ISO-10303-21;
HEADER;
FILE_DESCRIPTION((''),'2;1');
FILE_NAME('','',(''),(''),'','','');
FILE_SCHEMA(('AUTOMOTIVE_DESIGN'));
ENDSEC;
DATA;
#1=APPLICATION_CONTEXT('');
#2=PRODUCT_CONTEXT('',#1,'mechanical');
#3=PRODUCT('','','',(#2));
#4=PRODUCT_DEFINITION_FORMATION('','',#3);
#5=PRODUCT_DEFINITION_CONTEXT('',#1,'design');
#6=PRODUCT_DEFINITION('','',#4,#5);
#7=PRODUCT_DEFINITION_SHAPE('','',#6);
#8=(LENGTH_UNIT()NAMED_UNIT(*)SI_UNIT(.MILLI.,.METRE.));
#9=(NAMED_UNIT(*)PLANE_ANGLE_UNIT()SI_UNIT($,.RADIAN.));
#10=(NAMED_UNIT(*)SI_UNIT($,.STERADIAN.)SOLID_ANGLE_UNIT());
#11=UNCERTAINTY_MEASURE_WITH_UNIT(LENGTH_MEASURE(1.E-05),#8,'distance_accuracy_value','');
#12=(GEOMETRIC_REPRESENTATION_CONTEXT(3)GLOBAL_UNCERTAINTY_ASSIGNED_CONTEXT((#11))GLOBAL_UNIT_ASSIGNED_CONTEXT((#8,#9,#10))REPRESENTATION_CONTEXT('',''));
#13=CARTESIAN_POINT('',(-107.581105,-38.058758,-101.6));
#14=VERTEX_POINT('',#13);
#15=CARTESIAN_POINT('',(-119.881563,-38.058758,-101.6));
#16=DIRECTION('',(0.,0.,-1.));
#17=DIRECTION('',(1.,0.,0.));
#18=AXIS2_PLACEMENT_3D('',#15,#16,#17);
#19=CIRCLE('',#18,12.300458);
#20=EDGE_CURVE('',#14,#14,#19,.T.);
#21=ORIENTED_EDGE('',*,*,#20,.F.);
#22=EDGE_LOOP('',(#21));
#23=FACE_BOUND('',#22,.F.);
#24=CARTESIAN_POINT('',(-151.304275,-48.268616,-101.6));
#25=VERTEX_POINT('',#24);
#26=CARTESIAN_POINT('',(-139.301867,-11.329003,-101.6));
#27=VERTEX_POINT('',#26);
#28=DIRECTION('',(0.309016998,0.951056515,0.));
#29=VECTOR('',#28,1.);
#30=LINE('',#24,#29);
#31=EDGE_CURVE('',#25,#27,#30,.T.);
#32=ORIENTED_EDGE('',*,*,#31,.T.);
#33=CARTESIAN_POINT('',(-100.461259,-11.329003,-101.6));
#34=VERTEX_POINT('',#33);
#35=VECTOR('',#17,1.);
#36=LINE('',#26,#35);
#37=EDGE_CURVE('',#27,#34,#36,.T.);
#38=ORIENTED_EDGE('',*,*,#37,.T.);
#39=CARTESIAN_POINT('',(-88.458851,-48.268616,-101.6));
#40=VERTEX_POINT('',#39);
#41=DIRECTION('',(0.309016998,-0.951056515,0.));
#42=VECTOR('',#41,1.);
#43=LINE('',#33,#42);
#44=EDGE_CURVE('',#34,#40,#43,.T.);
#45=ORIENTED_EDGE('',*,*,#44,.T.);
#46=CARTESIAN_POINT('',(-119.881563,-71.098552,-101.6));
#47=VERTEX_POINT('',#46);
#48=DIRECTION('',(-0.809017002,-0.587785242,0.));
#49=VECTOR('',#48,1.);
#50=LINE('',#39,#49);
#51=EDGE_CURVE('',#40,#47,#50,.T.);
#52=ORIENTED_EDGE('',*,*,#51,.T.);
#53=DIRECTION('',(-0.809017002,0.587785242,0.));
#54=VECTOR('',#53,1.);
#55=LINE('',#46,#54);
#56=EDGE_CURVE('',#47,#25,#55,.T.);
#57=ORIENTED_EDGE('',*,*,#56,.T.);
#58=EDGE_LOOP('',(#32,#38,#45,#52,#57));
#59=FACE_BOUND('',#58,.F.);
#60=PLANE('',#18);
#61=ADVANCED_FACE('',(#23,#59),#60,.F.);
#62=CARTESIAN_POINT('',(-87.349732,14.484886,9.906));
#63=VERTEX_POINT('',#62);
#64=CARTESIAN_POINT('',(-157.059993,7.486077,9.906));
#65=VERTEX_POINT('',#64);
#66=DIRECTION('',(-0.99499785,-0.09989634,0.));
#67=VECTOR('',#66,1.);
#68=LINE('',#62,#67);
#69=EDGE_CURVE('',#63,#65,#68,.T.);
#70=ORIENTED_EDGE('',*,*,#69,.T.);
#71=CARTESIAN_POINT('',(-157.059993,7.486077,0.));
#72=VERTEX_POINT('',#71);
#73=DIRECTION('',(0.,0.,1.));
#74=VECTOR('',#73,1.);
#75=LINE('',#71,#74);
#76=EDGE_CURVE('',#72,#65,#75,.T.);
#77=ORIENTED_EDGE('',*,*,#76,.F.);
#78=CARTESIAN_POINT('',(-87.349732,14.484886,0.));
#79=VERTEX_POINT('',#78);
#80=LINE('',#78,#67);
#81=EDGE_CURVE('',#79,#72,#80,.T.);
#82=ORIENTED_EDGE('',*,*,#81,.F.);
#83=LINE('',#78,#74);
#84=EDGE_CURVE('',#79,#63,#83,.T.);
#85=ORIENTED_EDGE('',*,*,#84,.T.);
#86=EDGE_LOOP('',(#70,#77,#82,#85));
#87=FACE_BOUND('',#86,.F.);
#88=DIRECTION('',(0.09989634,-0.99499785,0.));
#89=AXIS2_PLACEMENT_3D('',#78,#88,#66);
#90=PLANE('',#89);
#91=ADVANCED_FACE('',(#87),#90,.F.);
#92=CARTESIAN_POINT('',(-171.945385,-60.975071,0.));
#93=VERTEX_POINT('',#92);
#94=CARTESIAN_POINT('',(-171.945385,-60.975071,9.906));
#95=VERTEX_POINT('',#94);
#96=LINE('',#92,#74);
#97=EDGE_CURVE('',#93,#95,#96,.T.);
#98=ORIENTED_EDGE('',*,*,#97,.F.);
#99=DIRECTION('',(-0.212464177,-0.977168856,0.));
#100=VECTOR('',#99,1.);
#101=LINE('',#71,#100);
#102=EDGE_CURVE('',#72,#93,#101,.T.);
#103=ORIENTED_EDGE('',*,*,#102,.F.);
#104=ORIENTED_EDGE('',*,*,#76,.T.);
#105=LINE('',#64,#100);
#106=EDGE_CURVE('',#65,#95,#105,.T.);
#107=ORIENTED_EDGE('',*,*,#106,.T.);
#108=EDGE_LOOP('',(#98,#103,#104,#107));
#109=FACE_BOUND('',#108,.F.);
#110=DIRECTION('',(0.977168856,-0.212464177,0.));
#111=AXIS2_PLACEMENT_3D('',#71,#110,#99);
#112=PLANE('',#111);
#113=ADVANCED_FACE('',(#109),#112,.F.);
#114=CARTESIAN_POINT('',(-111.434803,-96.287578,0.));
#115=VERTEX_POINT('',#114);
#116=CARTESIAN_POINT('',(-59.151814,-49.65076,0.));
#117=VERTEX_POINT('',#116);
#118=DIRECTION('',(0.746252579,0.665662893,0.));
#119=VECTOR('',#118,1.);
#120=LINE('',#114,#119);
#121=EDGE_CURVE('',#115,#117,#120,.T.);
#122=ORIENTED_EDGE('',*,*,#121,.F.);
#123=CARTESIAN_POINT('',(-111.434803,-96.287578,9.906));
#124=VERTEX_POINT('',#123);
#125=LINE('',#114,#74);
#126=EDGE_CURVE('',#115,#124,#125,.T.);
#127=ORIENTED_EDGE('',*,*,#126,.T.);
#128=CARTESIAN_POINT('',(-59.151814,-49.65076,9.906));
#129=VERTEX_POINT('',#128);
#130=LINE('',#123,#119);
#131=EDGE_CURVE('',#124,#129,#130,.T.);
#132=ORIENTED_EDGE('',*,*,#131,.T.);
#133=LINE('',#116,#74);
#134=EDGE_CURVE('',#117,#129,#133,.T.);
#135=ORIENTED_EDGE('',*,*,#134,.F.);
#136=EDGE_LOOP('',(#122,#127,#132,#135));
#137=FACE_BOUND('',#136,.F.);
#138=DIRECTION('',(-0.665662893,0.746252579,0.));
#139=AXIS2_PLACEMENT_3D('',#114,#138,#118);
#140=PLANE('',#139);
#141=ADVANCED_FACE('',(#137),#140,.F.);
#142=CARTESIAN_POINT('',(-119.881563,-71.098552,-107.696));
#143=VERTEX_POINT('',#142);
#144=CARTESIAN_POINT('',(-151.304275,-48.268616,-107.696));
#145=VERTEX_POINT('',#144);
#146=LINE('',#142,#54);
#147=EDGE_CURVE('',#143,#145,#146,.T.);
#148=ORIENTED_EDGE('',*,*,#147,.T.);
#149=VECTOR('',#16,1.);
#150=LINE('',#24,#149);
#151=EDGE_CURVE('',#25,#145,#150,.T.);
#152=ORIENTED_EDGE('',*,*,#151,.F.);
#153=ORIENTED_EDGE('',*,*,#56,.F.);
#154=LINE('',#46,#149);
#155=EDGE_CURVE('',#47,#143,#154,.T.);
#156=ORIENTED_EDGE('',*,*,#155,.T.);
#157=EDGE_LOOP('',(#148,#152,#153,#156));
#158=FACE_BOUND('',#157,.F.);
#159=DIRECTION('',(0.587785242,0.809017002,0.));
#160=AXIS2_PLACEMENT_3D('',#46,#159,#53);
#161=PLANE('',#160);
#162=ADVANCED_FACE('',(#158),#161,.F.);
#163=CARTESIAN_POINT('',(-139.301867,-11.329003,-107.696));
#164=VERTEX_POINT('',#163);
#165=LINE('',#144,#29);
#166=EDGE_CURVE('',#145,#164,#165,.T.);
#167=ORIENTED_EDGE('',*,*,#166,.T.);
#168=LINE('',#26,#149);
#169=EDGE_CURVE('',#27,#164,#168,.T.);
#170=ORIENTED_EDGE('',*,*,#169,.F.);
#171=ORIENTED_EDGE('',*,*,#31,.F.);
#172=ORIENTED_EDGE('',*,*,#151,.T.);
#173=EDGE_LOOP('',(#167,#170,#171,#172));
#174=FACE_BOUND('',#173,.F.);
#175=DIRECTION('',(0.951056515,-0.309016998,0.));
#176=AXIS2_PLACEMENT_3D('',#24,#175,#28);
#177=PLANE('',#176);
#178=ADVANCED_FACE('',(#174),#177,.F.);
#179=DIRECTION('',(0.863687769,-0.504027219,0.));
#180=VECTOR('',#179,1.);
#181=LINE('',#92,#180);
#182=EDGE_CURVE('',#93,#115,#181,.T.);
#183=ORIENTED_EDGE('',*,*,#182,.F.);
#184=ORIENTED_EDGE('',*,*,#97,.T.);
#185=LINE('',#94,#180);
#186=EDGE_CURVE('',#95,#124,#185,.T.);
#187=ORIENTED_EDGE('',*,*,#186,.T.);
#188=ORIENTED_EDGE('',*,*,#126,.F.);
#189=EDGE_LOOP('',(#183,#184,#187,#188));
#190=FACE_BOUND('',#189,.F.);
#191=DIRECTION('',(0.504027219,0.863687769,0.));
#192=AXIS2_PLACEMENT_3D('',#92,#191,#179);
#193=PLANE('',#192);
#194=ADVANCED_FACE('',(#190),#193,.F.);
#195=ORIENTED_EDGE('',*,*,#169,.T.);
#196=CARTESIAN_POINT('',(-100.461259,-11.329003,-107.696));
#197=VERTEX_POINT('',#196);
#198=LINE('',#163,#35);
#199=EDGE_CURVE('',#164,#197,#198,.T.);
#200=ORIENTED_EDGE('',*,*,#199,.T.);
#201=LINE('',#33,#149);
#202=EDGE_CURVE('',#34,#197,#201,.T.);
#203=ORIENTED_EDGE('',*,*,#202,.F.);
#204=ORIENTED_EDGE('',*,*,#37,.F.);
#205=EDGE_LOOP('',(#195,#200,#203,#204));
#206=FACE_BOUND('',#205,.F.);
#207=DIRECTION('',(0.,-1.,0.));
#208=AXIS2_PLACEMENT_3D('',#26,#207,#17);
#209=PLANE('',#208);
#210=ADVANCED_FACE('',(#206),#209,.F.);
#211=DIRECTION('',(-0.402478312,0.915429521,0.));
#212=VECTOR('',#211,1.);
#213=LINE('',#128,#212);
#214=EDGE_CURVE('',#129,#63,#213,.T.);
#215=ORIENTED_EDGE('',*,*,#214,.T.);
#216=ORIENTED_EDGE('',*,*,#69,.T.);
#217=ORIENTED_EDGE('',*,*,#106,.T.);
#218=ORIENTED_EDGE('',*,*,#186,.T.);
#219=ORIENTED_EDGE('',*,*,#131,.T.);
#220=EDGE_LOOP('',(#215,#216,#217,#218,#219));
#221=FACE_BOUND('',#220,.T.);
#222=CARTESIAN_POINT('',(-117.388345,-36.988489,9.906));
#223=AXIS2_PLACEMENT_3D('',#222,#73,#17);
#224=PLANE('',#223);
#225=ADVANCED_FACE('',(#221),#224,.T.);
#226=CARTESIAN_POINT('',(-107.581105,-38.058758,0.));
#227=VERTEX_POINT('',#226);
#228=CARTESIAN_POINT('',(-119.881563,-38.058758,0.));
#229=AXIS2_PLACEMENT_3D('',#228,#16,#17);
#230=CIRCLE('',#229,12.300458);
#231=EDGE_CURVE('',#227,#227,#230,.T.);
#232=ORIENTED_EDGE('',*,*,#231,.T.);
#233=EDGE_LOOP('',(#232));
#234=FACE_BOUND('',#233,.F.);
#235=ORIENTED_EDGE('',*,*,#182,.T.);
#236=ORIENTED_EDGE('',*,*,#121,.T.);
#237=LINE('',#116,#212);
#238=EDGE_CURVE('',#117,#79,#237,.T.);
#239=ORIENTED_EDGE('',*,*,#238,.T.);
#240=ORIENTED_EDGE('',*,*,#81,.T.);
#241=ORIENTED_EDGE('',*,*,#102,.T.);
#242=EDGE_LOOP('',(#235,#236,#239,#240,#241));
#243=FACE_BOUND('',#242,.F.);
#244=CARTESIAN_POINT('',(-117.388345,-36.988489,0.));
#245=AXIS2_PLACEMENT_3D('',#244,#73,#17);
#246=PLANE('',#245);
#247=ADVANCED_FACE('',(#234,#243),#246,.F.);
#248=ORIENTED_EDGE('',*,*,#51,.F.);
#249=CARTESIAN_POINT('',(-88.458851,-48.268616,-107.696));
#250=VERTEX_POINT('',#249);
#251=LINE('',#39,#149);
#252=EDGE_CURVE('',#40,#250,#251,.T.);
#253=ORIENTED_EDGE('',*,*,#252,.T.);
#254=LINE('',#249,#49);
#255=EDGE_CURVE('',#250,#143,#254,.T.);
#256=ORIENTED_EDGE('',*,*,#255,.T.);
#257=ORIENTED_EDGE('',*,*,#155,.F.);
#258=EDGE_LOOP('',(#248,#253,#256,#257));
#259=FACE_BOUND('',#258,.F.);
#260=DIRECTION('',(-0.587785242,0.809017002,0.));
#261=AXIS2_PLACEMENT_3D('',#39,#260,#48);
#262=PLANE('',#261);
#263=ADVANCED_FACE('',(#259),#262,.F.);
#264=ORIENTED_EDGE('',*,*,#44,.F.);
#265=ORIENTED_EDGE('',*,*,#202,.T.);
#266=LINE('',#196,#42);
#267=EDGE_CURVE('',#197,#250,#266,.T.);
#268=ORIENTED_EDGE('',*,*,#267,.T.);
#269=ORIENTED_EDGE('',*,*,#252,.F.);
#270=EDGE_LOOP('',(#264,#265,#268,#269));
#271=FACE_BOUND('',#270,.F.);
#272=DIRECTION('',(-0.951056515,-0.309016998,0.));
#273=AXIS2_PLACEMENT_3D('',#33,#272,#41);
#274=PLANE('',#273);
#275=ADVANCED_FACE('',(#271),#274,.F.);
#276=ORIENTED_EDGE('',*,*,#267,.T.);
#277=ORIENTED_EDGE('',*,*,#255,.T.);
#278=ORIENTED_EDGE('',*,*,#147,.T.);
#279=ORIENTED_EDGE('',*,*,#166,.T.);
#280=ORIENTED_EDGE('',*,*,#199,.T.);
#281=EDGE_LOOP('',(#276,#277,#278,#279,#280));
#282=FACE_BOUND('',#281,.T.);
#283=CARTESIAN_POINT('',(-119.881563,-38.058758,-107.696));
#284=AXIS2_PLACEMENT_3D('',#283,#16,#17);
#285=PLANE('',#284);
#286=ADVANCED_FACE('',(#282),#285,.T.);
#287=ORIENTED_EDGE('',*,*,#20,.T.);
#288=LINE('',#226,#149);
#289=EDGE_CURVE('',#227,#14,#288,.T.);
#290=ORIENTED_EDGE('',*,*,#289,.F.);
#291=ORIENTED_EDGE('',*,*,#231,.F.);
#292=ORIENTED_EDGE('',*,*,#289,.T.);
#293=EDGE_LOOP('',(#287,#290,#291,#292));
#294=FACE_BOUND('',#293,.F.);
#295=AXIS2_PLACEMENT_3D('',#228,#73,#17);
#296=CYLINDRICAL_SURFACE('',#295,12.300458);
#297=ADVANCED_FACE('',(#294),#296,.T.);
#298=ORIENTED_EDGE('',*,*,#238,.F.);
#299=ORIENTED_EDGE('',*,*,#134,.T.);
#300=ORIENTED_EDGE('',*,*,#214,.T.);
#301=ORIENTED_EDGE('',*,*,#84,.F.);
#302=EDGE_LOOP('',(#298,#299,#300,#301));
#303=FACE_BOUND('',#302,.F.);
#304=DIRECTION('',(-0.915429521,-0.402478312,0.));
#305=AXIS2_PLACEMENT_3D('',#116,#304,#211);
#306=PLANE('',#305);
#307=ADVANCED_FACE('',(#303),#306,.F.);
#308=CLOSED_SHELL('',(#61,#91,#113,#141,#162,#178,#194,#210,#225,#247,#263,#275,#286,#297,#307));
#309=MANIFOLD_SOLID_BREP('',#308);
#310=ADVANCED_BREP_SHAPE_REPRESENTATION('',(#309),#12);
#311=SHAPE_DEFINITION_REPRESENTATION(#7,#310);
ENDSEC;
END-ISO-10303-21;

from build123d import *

# Parameters (mm, degrees)
F1_DEPTH = 9.906
F2_R     = 12.300458
F3_DEPTH = 101.6
F5_DEPTH = 6.096


with BuildPart() as f1:
    # F0 (on Top) → F1 (new body)
    with BuildSketch(Plane.XY):
        Polygon((-87.349732, 14.484886), (-157.059993, 7.486077), (-171.945385, -60.975071), (-111.434803, -96.287578), (-59.151814, -49.65076), align=None)
    extrude(amount=F1_DEPTH)

    # F2 (on face) → F3 (join)
    with BuildSketch(Plane(origin=(0, 0, 0), x_dir=(1, 0, 0), z_dir=(0, 0, -1))):
        with Locations((-119.881563, 38.058758)):
            Circle(F2_R)
    extrude(amount=F3_DEPTH)

    # F4 (on face) → F5 (join)
    with BuildSketch(Plane(origin=(0, 0, -101.6), x_dir=(1, 0, 0), z_dir=(0, 0, -1))):
        Polygon((-139.301867, 11.329003), (-100.461259, 11.329003), (-88.458851, 48.268616), (-119.881563, 71.098552), (-151.304275, 48.268616), align=None)
    extrude(amount=F5_DEPTH)


solid = f1.part
